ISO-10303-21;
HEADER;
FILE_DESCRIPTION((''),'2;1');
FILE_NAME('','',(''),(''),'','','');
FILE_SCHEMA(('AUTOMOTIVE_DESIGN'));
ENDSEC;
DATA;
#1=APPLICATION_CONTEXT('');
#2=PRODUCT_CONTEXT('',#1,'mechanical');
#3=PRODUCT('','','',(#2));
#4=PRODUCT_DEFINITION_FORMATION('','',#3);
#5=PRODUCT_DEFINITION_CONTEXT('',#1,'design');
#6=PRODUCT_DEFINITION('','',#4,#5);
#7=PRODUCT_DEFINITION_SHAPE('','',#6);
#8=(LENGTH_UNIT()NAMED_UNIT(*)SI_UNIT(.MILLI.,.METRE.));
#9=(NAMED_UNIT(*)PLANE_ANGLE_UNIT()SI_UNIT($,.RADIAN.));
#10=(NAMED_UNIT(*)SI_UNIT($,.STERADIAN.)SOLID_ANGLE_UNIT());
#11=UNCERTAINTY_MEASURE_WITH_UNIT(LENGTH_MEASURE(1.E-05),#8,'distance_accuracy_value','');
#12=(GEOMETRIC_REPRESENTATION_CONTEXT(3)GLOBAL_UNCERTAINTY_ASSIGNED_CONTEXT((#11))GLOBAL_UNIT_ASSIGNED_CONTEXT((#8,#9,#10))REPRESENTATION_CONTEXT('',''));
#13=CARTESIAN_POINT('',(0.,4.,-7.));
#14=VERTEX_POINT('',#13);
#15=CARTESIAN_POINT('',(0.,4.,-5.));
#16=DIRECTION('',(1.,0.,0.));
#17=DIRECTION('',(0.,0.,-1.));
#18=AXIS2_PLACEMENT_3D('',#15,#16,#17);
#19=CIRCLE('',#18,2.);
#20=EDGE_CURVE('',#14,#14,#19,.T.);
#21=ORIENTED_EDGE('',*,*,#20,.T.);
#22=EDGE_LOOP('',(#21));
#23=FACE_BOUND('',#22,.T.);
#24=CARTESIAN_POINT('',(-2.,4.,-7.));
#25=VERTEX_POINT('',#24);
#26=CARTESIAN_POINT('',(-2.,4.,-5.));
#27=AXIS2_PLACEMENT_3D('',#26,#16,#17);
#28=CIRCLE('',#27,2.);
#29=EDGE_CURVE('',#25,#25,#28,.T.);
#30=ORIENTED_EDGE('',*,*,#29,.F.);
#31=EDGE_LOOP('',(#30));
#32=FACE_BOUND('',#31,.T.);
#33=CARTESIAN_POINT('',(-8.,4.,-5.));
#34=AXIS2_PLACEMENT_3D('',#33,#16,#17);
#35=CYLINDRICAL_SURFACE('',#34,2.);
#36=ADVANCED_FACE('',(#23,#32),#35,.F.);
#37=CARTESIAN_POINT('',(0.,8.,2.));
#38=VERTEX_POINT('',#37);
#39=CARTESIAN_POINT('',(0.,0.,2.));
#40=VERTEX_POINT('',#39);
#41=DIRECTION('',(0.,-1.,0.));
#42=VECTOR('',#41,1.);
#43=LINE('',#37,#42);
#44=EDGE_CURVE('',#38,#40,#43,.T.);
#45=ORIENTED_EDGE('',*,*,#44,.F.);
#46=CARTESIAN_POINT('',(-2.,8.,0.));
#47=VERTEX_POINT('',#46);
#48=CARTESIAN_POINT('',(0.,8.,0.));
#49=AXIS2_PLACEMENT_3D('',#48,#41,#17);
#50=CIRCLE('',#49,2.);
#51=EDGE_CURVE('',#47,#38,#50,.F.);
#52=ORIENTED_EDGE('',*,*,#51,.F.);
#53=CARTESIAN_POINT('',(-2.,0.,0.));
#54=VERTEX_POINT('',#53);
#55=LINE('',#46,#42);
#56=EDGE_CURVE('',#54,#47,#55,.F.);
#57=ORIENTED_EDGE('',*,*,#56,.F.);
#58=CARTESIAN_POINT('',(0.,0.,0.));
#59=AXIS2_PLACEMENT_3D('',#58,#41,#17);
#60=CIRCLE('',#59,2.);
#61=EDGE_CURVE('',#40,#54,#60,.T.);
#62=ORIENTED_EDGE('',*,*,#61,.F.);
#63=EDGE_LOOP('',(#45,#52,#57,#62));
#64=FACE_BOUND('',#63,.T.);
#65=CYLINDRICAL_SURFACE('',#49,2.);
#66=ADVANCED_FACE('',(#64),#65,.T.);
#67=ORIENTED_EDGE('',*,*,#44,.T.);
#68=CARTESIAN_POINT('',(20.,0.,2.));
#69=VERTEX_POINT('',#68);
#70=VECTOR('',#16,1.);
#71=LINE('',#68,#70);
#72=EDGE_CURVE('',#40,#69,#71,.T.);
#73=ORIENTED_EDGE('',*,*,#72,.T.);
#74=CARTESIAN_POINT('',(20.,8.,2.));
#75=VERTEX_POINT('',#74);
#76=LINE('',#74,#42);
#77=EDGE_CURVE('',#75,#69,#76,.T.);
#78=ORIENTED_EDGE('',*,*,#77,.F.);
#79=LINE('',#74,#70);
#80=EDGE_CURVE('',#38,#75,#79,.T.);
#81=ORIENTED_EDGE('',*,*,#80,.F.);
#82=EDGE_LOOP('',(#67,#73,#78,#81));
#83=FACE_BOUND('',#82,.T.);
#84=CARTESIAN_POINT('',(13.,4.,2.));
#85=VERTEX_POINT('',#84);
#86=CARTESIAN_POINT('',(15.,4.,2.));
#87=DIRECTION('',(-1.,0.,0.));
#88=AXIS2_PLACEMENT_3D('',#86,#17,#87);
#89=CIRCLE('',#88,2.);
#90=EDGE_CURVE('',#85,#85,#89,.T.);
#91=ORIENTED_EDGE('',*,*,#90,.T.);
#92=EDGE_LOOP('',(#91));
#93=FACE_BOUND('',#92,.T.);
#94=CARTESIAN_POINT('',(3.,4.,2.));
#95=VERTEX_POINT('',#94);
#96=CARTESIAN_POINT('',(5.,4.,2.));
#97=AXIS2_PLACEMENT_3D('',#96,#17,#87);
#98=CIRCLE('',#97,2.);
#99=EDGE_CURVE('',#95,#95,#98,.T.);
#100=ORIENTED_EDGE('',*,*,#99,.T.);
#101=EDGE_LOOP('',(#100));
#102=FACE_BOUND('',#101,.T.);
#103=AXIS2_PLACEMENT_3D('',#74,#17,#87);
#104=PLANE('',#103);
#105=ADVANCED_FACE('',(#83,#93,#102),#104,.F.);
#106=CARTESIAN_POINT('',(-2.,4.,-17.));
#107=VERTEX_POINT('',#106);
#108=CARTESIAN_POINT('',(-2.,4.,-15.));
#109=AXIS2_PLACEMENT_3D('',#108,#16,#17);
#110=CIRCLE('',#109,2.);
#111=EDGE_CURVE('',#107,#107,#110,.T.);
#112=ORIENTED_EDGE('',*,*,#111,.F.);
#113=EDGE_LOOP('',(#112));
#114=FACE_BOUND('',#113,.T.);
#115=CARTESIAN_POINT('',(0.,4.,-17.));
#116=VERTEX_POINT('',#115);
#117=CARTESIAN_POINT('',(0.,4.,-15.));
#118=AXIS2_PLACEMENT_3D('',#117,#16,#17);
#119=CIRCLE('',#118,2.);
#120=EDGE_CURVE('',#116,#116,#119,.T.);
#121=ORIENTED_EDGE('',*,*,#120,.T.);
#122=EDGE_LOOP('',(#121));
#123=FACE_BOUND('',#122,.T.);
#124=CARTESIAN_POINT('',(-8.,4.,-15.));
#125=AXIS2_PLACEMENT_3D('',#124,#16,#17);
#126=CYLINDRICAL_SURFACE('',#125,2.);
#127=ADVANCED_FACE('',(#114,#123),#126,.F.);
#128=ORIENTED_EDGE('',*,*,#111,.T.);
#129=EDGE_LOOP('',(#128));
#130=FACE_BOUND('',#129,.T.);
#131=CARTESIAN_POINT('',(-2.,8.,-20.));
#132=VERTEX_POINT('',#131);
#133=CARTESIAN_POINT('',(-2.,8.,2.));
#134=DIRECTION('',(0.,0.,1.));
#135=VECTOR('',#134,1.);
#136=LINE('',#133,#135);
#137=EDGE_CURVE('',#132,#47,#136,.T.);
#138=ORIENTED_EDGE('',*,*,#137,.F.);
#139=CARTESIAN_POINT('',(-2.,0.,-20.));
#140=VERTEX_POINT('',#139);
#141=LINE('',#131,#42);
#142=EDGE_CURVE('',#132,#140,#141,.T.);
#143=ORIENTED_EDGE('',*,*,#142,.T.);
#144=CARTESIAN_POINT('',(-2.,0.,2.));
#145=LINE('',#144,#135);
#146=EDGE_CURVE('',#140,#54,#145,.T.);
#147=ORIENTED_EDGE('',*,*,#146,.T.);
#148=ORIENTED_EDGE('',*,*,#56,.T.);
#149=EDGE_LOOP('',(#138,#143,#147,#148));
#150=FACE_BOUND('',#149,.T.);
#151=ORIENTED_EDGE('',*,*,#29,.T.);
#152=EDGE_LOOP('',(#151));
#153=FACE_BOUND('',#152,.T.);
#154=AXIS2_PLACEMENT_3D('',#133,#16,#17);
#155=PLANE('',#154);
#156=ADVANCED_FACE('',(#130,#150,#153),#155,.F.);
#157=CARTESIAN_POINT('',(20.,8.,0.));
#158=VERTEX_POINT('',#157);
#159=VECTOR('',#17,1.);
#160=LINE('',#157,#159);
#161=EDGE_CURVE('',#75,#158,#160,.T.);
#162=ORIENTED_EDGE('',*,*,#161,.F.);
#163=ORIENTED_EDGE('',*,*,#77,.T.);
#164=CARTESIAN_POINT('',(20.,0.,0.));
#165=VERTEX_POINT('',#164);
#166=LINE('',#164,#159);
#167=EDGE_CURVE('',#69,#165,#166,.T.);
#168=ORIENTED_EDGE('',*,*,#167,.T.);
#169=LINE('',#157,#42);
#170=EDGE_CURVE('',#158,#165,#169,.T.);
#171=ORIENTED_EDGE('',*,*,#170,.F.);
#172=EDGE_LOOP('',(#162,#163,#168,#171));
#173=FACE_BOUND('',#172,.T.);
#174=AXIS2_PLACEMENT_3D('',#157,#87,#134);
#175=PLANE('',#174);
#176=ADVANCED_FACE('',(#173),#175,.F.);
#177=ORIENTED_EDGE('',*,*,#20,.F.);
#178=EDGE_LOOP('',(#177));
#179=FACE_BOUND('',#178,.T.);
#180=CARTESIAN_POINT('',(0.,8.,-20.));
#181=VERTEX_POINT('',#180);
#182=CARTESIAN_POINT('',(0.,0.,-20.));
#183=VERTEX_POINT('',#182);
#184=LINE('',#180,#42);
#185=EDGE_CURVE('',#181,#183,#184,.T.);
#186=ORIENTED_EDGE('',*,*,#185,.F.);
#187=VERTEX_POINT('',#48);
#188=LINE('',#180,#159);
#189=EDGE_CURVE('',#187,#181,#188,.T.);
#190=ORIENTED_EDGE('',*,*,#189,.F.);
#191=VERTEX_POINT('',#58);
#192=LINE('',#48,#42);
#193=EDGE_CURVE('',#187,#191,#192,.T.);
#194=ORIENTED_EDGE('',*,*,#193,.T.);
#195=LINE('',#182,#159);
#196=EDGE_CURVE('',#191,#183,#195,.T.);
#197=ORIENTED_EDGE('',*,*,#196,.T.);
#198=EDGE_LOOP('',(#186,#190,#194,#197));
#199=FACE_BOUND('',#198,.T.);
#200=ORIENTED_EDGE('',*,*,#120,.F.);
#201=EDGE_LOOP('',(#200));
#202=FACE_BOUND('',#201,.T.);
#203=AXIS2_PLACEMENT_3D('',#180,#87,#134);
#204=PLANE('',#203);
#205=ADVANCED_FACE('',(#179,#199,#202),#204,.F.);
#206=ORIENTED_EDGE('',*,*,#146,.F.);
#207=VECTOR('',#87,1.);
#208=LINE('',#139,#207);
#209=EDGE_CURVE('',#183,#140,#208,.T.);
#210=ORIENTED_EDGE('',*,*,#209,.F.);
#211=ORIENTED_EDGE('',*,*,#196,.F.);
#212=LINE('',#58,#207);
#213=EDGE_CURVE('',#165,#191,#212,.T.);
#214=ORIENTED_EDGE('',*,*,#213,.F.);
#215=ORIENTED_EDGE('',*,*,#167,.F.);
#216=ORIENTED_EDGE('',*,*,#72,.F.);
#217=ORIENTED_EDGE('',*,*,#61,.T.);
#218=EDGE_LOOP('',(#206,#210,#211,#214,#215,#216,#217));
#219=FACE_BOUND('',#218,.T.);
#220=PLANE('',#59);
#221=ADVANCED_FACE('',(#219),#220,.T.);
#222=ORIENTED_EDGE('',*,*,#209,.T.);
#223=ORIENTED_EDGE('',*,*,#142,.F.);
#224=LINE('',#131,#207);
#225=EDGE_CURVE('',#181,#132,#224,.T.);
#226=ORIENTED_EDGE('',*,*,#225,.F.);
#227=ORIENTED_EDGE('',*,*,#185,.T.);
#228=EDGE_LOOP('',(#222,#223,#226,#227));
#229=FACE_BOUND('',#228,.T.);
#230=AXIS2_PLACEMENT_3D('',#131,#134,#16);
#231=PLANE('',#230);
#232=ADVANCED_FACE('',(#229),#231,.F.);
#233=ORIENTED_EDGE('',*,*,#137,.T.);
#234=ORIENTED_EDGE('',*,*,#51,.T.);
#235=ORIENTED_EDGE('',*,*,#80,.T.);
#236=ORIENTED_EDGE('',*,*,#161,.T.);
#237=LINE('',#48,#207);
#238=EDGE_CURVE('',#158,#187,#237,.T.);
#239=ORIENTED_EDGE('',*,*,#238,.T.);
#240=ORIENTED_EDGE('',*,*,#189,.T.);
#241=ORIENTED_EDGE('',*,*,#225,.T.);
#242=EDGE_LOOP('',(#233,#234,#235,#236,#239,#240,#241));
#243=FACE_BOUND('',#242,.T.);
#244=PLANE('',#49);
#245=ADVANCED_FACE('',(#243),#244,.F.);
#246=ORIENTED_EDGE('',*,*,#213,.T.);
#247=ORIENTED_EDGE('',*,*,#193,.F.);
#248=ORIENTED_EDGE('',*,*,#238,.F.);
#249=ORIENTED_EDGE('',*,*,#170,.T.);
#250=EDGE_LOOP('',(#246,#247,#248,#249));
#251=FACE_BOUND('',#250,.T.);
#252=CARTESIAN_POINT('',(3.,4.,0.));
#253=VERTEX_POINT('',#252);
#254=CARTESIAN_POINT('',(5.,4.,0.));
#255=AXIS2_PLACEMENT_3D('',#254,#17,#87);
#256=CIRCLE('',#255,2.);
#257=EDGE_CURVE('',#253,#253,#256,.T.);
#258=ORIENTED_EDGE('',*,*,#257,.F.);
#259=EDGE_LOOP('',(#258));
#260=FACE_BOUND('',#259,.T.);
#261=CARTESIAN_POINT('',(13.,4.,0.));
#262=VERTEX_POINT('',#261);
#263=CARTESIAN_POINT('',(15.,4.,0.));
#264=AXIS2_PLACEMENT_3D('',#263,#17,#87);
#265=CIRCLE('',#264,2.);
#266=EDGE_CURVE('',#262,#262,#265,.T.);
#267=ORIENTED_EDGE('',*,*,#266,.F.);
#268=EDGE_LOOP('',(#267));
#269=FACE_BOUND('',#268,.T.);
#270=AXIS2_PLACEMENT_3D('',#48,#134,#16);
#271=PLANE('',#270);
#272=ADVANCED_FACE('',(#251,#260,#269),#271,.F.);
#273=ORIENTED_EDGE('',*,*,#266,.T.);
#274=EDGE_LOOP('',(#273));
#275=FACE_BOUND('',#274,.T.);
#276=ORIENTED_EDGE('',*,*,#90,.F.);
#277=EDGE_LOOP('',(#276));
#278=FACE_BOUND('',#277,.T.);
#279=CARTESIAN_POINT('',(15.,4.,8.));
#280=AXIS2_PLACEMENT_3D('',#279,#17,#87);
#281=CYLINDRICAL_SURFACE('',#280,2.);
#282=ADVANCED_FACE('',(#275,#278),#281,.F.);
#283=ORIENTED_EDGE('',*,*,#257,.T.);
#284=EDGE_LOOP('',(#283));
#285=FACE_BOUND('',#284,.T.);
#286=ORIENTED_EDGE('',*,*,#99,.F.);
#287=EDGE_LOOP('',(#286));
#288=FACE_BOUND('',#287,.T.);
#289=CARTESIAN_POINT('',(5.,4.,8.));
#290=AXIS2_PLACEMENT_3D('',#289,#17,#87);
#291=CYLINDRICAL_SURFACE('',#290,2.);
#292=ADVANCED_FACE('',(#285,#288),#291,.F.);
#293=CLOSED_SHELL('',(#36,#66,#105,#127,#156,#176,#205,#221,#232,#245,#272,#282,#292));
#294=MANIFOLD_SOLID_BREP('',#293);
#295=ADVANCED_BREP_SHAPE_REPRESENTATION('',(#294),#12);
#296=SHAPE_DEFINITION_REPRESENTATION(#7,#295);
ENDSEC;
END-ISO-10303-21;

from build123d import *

# Parameters (mm, degrees)
BOSS_EXTRUDE1_DEPTH = 8
SKETCH2_R           = 2
CUT_EXTRUDE1_DEPTH  = 8
SKETCH3_R           = 2
CUT_EXTRUDE2_DEPTH  = 8
FILLET3_R           = 2


with BuildPart() as part:
    # Sketch1 → Boss-Extrude1 (new body)
    with BuildSketch(Plane(origin=(0, 0, 0), x_dir=(1, 0, 0), z_dir=(0, 1, 0))):
        Polygon((0, 20), (0, 0), (20, 0), (20, -2), (-2, -2), (-2, 20), align=None)
    extrude(amount=BOSS_EXTRUDE1_DEPTH)

    # Sketch2 → Cut-Extrude1 (cut)
    with BuildSketch(Plane(origin=(0, 0, 0), x_dir=(-1, 0, 0), z_dir=(0, 0, -1))):
        with Locations((-15, 4)):
            Circle(SKETCH2_R)
        with Locations((-5, 4)):
            Circle(SKETCH2_R)
    extrude(amount=-CUT_EXTRUDE1_DEPTH, mode=Mode.SUBTRACT)

    # Sketch3 → Cut-Extrude2 (cut)
    with BuildSketch(Plane(origin=(0, 0, 0), x_dir=(0, 0, -1), z_dir=(1, 0, 0))):
        with Locations((5, 4)):
            Circle(SKETCH3_R)
        with Locations((15, 4)):
            Circle(SKETCH3_R)
    extrude(amount=-CUT_EXTRUDE2_DEPTH, mode=Mode.SUBTRACT)

    # Fillet3
    fillet3_edges = [part.edges().sort_by_distance(p)[0] for p in [
        (-2, 4, 2),
    ]]
    fillet(fillet3_edges, radius=FILLET3_R)


solid = part.part
